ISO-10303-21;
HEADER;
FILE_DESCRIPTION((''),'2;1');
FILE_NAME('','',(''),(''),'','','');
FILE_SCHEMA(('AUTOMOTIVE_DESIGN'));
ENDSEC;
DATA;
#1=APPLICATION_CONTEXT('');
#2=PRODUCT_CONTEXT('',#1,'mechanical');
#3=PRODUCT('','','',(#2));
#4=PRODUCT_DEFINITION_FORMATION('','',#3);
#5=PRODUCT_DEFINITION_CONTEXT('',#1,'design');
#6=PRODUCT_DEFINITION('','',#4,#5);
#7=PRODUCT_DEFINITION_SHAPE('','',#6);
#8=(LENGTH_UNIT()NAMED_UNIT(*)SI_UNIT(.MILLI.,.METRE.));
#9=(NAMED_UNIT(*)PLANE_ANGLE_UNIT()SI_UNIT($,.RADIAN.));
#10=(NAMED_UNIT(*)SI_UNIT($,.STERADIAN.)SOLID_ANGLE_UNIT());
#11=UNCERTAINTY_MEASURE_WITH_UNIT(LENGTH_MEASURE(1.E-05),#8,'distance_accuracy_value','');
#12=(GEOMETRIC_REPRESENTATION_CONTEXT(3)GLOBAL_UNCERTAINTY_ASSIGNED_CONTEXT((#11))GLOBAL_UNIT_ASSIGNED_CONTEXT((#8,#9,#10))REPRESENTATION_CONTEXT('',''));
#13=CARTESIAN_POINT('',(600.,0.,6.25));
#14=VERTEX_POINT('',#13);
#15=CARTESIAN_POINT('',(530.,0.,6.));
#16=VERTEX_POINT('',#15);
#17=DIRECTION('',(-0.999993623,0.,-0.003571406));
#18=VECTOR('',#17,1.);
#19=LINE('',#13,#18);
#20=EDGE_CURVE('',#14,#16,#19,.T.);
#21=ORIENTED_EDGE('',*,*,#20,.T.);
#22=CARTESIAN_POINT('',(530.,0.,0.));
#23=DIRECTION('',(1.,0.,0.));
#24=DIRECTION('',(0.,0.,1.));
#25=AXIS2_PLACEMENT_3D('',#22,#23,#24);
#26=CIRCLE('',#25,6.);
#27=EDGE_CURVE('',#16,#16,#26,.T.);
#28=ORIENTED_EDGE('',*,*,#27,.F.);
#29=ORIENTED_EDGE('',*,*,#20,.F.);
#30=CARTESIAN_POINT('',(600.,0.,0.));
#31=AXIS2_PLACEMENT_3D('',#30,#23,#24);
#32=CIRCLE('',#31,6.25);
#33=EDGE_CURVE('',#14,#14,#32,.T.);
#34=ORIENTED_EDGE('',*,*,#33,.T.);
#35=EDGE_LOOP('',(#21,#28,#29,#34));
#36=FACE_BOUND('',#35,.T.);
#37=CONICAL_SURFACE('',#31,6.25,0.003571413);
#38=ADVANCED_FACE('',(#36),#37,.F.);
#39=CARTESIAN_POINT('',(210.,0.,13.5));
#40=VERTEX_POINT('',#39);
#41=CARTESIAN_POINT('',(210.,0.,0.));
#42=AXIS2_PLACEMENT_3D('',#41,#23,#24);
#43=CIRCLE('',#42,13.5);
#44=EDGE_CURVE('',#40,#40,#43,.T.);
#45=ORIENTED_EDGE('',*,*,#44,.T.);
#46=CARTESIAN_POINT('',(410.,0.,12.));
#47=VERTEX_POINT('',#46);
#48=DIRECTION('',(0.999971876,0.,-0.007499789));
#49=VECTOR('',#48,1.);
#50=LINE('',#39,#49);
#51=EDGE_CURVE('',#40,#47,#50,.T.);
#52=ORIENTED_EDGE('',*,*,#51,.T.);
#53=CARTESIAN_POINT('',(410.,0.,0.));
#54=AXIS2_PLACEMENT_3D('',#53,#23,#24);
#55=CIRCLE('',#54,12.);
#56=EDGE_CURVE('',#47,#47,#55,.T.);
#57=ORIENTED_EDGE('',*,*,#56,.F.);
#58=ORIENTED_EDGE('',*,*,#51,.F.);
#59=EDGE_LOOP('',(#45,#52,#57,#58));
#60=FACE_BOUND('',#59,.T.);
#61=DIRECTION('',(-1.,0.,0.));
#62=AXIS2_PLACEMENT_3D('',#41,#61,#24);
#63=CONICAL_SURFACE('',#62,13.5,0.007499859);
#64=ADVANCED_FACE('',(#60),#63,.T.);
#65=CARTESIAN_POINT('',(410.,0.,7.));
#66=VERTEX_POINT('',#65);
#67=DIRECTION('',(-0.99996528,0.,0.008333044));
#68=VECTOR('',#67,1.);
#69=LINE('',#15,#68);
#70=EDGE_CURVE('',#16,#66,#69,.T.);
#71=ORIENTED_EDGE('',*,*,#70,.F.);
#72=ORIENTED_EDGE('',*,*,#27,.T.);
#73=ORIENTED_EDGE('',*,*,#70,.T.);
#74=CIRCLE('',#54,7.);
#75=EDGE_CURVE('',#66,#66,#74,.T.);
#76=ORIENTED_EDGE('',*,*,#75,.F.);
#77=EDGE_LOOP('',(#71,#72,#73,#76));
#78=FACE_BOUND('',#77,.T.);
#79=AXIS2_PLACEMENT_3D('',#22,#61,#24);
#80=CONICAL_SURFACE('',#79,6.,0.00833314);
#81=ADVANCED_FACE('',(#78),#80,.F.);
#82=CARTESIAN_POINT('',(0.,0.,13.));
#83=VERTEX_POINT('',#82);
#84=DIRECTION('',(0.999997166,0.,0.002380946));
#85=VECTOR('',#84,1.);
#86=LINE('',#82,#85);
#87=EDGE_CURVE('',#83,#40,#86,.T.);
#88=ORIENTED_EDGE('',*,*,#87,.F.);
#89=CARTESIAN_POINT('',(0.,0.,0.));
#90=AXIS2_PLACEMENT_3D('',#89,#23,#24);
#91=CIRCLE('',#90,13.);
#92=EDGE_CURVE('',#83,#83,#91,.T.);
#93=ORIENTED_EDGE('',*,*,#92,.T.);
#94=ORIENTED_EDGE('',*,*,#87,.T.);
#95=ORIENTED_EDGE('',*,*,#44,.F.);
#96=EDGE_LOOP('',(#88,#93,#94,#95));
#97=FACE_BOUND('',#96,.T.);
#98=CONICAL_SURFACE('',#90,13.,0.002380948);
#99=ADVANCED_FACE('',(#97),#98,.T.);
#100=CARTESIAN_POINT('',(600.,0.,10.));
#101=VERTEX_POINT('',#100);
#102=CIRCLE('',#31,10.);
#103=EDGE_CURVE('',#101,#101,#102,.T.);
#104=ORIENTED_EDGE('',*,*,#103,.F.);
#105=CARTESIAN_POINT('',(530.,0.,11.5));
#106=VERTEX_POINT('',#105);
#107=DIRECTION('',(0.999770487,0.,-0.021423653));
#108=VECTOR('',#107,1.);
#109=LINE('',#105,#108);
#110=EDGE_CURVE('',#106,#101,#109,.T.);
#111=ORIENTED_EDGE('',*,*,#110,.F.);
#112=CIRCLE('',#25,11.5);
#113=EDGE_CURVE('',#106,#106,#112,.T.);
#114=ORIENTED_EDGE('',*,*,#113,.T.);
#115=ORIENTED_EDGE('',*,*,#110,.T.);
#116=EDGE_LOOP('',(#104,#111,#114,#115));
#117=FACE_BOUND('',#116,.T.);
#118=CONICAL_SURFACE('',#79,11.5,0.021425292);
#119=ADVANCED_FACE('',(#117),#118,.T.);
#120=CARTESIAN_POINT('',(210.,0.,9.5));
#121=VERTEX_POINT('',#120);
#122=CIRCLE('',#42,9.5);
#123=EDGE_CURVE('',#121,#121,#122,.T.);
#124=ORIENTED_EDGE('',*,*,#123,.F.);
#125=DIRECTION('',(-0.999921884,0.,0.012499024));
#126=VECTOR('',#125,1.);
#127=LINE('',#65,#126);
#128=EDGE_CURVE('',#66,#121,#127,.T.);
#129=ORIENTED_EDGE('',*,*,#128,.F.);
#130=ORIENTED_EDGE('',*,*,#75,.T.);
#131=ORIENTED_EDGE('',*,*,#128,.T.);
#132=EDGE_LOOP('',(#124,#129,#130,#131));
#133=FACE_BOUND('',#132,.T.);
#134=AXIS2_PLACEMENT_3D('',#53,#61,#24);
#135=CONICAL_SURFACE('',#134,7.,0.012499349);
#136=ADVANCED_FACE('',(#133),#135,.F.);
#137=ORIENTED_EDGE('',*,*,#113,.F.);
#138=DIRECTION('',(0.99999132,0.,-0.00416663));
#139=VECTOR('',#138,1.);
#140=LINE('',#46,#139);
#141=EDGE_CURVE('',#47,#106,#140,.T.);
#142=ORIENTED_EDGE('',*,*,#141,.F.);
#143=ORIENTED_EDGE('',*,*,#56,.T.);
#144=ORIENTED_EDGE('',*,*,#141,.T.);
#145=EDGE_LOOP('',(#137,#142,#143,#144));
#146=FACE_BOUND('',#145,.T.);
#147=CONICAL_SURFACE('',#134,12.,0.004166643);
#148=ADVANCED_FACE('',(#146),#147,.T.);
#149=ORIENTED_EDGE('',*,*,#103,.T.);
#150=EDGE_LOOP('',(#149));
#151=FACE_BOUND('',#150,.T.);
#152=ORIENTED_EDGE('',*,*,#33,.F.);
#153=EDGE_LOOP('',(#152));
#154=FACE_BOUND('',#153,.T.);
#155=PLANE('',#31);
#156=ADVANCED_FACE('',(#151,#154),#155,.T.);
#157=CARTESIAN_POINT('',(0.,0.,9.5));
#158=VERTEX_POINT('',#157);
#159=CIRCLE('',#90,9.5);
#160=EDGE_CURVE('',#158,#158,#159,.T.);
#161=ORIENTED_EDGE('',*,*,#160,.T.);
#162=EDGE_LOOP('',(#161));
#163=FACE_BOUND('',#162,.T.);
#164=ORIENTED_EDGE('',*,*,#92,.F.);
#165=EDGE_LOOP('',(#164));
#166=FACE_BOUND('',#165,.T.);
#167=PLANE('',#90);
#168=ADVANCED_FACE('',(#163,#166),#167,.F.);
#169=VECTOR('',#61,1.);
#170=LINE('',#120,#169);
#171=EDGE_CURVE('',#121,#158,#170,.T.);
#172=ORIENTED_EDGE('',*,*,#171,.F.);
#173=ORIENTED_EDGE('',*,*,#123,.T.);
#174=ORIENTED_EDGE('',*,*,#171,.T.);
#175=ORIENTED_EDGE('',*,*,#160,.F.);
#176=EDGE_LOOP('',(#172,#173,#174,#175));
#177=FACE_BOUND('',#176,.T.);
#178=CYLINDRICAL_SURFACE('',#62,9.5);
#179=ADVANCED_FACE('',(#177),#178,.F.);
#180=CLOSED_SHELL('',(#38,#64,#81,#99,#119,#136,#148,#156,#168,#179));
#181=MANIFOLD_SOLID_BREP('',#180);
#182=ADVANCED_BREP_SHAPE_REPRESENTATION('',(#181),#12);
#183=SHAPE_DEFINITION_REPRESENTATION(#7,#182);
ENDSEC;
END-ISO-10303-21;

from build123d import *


with BuildPart() as part:
    # Sketch → Revolution (revolve)
    with BuildSketch(Plane.XZ):
        Polygon((210, 9.5), (0, 9.5), (0, 13), (210, 13.5), (410, 12), (530, 11.5), (600, 10), (600, 6.25), (530, 6), (410, 7), align=None)
    revolve(axis=Axis((0, 0, 0), (1, 0, 0)))


solid = part.part
